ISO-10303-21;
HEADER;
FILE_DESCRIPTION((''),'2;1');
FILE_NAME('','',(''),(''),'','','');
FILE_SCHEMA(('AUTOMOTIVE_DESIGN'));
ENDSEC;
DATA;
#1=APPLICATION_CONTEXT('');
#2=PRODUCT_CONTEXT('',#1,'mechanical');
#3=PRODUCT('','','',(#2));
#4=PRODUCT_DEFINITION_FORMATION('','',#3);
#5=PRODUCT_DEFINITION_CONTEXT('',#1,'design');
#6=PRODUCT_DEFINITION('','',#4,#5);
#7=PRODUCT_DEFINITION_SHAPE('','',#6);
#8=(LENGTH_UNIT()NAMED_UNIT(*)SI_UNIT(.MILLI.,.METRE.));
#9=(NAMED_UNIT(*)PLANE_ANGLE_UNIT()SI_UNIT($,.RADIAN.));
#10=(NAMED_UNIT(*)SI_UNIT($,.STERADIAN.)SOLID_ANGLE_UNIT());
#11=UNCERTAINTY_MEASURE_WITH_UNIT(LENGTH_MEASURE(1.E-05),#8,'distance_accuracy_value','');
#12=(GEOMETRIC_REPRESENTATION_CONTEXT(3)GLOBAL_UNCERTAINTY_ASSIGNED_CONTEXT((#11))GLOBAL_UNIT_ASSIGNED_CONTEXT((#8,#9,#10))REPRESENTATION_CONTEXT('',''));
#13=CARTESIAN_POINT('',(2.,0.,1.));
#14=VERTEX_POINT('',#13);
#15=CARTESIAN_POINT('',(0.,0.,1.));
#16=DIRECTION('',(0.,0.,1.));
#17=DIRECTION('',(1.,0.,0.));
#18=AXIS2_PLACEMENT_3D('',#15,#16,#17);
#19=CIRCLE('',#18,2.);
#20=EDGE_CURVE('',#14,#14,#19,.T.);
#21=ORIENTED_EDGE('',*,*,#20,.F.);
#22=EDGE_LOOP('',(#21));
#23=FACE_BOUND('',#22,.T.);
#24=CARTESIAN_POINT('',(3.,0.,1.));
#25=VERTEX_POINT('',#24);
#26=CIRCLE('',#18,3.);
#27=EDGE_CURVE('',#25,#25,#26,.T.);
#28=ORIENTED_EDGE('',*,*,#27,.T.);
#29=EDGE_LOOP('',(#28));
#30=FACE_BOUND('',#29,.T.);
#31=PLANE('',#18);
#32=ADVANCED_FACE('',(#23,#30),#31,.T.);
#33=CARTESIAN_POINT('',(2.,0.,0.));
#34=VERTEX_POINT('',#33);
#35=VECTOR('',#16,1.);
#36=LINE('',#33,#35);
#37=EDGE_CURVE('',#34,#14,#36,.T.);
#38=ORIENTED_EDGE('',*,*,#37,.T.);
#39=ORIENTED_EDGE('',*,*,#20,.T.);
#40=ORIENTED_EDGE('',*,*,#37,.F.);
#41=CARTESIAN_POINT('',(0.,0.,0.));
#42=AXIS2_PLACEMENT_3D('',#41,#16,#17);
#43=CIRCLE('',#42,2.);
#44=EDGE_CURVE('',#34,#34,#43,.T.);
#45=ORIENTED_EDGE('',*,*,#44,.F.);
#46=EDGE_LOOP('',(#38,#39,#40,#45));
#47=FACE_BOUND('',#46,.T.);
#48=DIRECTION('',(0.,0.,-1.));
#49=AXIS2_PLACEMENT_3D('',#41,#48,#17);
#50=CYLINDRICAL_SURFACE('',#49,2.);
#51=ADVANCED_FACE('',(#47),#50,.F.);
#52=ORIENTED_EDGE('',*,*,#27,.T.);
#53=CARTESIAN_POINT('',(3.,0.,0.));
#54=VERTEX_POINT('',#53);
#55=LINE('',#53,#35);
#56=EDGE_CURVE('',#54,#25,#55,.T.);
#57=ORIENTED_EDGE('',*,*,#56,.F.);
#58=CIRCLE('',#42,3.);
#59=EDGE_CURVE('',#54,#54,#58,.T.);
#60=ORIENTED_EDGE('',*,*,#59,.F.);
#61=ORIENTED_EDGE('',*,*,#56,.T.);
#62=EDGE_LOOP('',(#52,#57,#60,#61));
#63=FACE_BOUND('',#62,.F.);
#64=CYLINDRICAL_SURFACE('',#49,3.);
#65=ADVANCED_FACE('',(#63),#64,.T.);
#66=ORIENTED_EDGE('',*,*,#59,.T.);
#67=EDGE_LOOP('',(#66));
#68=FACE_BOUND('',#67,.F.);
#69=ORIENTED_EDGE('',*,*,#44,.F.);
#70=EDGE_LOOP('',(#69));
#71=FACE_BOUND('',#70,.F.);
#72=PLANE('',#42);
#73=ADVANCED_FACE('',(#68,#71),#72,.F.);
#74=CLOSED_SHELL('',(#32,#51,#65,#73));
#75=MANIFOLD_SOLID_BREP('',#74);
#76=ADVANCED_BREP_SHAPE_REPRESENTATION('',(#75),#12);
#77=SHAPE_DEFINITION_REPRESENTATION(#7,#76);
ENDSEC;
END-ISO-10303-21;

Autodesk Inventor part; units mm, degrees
ref_plane "YZ Plane" through (0, 0, 0) normal (1, 0, 0) x (0, 1, 0)
ref_plane "XZ Plane" through (0, 0, 0) normal (0, 1, 0) x (-1, 0, 0)
ref_plane "XY Plane" through (0, 0, 0) normal (0, 0, 1) x (1, 0, 0)
sketch "スケッチ1" plane through (0, 0, 0) normal (0, 0, 1) x (1, 0, 0)
  circle A0 centre (0, 0) radius 2
  circle A1 centre (0, 0) radius 3
  dimension "d0" = 4
  dimension "d1" = 6
extrude "押し出し1" add sketch "スケッチ1" along normal blind 1
properties part number "シムリング　4-6　t1" material "ステンレス鋼 AISI 304"
